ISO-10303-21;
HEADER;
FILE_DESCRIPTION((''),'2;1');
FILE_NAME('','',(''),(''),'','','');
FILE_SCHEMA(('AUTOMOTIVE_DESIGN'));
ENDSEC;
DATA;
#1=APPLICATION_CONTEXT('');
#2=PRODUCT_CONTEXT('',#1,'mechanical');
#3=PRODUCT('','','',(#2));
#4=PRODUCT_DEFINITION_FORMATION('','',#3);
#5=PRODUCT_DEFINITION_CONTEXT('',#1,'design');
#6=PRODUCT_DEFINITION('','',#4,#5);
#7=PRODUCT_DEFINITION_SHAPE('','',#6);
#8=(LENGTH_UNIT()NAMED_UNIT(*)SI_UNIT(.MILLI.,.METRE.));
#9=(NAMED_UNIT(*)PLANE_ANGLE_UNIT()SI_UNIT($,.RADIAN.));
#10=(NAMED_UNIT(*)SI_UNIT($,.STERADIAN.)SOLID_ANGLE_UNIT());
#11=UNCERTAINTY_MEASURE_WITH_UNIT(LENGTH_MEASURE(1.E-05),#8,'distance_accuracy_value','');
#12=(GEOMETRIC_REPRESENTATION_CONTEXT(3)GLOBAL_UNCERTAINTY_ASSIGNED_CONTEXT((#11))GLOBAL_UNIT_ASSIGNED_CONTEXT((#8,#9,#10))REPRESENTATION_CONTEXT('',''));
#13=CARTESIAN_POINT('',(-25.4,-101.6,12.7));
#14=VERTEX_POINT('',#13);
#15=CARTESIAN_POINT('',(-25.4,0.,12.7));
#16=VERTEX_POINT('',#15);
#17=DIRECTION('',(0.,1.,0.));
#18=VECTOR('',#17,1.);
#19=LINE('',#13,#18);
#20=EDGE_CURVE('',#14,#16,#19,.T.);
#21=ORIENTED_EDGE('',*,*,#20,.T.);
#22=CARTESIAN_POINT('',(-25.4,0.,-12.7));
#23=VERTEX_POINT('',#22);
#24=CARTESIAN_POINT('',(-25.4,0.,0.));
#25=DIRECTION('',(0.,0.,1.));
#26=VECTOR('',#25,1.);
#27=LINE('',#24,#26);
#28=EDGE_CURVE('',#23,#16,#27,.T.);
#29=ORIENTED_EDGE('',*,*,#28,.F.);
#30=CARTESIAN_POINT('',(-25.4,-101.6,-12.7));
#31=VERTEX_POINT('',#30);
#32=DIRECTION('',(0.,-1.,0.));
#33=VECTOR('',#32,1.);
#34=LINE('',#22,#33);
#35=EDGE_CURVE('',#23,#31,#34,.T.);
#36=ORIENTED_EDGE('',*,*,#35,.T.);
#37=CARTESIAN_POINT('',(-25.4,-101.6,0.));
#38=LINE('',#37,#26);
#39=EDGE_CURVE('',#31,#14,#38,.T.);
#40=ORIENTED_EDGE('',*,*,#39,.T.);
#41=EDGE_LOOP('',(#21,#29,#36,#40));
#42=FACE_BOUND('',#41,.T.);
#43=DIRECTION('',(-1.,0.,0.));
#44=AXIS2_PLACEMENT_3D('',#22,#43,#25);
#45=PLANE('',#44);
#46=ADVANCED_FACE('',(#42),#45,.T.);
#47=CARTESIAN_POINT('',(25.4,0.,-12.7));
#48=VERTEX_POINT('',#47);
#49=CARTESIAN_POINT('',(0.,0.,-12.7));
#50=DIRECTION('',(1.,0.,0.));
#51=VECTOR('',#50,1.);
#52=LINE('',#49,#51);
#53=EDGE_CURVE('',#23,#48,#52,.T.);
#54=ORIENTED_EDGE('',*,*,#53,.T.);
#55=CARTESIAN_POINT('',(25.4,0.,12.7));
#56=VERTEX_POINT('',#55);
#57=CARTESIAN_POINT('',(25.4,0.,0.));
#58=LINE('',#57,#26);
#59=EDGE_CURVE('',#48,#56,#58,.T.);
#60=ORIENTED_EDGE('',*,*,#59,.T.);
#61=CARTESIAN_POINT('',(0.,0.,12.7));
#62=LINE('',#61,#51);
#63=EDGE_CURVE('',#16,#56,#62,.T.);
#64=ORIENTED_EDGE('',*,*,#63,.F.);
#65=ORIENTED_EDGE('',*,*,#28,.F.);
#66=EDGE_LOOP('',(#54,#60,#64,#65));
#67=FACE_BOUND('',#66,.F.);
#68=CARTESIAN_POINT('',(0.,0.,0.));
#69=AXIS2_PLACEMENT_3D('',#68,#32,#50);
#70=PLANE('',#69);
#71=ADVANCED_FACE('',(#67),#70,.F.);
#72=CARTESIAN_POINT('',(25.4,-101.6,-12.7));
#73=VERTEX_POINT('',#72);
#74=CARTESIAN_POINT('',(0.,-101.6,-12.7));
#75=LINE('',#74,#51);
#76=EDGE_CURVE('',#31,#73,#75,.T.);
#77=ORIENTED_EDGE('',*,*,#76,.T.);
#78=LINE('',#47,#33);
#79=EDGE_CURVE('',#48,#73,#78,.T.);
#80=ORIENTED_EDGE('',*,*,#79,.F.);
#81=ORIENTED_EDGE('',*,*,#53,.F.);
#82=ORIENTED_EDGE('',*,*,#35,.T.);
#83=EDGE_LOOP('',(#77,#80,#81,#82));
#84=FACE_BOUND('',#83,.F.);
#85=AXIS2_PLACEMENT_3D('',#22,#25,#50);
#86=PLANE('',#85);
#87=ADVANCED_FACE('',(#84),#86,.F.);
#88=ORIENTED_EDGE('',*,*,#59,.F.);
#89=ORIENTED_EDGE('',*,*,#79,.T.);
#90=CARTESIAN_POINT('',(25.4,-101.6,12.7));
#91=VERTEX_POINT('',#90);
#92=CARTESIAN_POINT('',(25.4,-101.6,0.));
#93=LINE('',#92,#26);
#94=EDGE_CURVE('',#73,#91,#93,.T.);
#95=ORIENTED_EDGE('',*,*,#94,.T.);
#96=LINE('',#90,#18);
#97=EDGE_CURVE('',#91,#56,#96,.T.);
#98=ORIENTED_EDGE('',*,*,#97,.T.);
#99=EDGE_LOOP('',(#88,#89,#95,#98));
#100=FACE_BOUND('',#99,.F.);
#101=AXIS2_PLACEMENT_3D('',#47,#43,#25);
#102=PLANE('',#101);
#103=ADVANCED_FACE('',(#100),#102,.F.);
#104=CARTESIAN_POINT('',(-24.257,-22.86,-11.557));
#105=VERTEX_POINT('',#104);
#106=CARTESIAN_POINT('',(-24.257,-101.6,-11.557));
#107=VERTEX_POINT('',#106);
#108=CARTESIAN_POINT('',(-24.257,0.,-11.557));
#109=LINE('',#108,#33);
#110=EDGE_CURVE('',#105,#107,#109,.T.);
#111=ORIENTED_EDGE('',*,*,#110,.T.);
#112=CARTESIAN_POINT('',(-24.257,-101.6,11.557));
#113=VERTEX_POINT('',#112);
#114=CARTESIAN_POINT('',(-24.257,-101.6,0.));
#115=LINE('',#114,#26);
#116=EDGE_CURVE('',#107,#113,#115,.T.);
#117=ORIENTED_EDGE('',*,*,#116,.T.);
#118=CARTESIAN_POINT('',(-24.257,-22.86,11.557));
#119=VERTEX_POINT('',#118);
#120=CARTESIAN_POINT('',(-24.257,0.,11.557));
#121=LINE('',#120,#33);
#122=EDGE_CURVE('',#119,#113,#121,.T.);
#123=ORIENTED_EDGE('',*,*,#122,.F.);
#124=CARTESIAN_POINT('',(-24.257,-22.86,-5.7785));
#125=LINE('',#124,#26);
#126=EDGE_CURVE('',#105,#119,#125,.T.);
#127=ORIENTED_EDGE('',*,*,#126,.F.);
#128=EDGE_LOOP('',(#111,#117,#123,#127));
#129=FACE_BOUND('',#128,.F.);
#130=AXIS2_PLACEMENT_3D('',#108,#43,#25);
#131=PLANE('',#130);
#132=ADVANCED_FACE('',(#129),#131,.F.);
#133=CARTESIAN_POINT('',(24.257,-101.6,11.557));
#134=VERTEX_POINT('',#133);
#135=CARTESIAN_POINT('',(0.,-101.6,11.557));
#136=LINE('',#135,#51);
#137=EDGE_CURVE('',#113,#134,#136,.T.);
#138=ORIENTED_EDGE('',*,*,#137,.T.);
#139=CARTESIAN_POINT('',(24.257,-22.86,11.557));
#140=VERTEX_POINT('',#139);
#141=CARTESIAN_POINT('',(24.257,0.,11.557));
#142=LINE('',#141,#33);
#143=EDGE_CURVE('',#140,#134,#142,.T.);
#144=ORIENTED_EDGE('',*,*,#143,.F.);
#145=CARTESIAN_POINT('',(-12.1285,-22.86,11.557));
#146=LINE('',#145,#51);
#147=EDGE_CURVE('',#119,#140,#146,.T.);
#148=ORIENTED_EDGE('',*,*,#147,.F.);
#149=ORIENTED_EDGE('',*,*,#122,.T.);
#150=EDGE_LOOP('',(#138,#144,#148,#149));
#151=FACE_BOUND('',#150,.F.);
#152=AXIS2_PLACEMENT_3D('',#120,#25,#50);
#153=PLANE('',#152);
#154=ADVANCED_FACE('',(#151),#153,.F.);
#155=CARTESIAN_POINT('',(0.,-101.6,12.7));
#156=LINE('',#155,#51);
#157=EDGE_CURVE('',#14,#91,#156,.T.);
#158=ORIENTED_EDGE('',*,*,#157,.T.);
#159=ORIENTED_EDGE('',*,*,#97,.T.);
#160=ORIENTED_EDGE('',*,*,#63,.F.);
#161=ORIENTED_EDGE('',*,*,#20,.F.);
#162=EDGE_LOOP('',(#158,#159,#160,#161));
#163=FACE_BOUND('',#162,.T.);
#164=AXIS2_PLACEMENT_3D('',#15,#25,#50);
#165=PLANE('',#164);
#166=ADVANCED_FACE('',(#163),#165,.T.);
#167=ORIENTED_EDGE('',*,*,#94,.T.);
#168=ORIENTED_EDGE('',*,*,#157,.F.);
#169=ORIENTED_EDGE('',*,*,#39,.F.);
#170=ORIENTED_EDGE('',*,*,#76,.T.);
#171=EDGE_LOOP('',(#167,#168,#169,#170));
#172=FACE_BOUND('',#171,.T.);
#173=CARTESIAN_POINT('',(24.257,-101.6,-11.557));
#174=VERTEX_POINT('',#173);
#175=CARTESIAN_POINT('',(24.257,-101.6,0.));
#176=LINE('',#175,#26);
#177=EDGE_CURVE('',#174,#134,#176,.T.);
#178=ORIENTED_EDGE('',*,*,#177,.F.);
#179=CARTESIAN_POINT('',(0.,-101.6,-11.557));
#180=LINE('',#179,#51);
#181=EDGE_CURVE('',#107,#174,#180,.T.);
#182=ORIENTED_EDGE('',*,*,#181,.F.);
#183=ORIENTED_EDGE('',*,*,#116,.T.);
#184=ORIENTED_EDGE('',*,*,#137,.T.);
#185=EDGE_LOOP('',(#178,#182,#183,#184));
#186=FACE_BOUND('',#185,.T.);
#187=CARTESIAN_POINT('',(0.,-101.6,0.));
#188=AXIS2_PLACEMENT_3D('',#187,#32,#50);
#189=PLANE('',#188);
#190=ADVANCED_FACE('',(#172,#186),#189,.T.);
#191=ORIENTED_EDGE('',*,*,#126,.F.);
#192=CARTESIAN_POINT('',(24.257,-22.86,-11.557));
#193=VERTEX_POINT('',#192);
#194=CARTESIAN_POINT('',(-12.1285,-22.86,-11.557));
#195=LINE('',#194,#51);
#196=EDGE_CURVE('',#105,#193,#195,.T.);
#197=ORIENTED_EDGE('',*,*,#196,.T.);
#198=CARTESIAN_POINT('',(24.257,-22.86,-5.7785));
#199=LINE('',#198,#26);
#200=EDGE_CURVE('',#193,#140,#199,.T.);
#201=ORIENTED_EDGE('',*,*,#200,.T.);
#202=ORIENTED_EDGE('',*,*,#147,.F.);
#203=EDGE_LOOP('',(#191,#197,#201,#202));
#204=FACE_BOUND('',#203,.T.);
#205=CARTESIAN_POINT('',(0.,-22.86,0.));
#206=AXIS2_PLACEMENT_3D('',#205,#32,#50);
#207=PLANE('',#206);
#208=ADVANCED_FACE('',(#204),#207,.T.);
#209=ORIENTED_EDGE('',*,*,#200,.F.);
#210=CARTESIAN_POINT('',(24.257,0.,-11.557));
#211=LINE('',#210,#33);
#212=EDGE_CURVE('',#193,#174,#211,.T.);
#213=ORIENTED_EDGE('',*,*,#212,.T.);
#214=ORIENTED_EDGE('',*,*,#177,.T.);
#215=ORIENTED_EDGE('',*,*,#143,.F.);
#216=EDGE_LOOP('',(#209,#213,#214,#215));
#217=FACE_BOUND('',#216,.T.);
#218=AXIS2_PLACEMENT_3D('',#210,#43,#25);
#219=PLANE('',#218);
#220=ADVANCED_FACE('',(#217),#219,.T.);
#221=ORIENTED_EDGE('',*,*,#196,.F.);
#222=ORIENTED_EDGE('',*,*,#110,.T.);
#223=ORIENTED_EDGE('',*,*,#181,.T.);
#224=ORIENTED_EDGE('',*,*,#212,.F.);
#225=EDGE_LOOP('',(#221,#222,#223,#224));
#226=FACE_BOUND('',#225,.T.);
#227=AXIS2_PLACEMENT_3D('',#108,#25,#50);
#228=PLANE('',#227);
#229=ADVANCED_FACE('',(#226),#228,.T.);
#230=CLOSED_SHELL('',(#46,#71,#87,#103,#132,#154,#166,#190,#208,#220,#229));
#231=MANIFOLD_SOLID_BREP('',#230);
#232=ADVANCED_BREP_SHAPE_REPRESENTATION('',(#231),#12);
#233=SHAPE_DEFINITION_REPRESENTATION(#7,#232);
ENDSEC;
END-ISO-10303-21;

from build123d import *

# Parameters (mm, degrees)
F1_W     = 50.8
F1_H     = 25.4
F1_W_2   = 48.514
F1_H_2   = 23.114
F2_DEPTH = 101.6
F3_W     = 50.8
F3_H     = 25.4
F4_DEPTH = 22.86


with BuildPart() as f2:
    # F1 (on face) → F2 (new body)
    with BuildSketch(Plane.XZ):
        Rectangle(F1_W, F1_H)
        Rectangle(F1_W_2, F1_H_2, mode=Mode.SUBTRACT)
    extrude(amount=F2_DEPTH)

    # F3 (on Front) → F4 (join)
    with BuildSketch(Plane.XZ):
        Rectangle(F3_W, F3_H)
    extrude(amount=F4_DEPTH)


solid = f2.part
